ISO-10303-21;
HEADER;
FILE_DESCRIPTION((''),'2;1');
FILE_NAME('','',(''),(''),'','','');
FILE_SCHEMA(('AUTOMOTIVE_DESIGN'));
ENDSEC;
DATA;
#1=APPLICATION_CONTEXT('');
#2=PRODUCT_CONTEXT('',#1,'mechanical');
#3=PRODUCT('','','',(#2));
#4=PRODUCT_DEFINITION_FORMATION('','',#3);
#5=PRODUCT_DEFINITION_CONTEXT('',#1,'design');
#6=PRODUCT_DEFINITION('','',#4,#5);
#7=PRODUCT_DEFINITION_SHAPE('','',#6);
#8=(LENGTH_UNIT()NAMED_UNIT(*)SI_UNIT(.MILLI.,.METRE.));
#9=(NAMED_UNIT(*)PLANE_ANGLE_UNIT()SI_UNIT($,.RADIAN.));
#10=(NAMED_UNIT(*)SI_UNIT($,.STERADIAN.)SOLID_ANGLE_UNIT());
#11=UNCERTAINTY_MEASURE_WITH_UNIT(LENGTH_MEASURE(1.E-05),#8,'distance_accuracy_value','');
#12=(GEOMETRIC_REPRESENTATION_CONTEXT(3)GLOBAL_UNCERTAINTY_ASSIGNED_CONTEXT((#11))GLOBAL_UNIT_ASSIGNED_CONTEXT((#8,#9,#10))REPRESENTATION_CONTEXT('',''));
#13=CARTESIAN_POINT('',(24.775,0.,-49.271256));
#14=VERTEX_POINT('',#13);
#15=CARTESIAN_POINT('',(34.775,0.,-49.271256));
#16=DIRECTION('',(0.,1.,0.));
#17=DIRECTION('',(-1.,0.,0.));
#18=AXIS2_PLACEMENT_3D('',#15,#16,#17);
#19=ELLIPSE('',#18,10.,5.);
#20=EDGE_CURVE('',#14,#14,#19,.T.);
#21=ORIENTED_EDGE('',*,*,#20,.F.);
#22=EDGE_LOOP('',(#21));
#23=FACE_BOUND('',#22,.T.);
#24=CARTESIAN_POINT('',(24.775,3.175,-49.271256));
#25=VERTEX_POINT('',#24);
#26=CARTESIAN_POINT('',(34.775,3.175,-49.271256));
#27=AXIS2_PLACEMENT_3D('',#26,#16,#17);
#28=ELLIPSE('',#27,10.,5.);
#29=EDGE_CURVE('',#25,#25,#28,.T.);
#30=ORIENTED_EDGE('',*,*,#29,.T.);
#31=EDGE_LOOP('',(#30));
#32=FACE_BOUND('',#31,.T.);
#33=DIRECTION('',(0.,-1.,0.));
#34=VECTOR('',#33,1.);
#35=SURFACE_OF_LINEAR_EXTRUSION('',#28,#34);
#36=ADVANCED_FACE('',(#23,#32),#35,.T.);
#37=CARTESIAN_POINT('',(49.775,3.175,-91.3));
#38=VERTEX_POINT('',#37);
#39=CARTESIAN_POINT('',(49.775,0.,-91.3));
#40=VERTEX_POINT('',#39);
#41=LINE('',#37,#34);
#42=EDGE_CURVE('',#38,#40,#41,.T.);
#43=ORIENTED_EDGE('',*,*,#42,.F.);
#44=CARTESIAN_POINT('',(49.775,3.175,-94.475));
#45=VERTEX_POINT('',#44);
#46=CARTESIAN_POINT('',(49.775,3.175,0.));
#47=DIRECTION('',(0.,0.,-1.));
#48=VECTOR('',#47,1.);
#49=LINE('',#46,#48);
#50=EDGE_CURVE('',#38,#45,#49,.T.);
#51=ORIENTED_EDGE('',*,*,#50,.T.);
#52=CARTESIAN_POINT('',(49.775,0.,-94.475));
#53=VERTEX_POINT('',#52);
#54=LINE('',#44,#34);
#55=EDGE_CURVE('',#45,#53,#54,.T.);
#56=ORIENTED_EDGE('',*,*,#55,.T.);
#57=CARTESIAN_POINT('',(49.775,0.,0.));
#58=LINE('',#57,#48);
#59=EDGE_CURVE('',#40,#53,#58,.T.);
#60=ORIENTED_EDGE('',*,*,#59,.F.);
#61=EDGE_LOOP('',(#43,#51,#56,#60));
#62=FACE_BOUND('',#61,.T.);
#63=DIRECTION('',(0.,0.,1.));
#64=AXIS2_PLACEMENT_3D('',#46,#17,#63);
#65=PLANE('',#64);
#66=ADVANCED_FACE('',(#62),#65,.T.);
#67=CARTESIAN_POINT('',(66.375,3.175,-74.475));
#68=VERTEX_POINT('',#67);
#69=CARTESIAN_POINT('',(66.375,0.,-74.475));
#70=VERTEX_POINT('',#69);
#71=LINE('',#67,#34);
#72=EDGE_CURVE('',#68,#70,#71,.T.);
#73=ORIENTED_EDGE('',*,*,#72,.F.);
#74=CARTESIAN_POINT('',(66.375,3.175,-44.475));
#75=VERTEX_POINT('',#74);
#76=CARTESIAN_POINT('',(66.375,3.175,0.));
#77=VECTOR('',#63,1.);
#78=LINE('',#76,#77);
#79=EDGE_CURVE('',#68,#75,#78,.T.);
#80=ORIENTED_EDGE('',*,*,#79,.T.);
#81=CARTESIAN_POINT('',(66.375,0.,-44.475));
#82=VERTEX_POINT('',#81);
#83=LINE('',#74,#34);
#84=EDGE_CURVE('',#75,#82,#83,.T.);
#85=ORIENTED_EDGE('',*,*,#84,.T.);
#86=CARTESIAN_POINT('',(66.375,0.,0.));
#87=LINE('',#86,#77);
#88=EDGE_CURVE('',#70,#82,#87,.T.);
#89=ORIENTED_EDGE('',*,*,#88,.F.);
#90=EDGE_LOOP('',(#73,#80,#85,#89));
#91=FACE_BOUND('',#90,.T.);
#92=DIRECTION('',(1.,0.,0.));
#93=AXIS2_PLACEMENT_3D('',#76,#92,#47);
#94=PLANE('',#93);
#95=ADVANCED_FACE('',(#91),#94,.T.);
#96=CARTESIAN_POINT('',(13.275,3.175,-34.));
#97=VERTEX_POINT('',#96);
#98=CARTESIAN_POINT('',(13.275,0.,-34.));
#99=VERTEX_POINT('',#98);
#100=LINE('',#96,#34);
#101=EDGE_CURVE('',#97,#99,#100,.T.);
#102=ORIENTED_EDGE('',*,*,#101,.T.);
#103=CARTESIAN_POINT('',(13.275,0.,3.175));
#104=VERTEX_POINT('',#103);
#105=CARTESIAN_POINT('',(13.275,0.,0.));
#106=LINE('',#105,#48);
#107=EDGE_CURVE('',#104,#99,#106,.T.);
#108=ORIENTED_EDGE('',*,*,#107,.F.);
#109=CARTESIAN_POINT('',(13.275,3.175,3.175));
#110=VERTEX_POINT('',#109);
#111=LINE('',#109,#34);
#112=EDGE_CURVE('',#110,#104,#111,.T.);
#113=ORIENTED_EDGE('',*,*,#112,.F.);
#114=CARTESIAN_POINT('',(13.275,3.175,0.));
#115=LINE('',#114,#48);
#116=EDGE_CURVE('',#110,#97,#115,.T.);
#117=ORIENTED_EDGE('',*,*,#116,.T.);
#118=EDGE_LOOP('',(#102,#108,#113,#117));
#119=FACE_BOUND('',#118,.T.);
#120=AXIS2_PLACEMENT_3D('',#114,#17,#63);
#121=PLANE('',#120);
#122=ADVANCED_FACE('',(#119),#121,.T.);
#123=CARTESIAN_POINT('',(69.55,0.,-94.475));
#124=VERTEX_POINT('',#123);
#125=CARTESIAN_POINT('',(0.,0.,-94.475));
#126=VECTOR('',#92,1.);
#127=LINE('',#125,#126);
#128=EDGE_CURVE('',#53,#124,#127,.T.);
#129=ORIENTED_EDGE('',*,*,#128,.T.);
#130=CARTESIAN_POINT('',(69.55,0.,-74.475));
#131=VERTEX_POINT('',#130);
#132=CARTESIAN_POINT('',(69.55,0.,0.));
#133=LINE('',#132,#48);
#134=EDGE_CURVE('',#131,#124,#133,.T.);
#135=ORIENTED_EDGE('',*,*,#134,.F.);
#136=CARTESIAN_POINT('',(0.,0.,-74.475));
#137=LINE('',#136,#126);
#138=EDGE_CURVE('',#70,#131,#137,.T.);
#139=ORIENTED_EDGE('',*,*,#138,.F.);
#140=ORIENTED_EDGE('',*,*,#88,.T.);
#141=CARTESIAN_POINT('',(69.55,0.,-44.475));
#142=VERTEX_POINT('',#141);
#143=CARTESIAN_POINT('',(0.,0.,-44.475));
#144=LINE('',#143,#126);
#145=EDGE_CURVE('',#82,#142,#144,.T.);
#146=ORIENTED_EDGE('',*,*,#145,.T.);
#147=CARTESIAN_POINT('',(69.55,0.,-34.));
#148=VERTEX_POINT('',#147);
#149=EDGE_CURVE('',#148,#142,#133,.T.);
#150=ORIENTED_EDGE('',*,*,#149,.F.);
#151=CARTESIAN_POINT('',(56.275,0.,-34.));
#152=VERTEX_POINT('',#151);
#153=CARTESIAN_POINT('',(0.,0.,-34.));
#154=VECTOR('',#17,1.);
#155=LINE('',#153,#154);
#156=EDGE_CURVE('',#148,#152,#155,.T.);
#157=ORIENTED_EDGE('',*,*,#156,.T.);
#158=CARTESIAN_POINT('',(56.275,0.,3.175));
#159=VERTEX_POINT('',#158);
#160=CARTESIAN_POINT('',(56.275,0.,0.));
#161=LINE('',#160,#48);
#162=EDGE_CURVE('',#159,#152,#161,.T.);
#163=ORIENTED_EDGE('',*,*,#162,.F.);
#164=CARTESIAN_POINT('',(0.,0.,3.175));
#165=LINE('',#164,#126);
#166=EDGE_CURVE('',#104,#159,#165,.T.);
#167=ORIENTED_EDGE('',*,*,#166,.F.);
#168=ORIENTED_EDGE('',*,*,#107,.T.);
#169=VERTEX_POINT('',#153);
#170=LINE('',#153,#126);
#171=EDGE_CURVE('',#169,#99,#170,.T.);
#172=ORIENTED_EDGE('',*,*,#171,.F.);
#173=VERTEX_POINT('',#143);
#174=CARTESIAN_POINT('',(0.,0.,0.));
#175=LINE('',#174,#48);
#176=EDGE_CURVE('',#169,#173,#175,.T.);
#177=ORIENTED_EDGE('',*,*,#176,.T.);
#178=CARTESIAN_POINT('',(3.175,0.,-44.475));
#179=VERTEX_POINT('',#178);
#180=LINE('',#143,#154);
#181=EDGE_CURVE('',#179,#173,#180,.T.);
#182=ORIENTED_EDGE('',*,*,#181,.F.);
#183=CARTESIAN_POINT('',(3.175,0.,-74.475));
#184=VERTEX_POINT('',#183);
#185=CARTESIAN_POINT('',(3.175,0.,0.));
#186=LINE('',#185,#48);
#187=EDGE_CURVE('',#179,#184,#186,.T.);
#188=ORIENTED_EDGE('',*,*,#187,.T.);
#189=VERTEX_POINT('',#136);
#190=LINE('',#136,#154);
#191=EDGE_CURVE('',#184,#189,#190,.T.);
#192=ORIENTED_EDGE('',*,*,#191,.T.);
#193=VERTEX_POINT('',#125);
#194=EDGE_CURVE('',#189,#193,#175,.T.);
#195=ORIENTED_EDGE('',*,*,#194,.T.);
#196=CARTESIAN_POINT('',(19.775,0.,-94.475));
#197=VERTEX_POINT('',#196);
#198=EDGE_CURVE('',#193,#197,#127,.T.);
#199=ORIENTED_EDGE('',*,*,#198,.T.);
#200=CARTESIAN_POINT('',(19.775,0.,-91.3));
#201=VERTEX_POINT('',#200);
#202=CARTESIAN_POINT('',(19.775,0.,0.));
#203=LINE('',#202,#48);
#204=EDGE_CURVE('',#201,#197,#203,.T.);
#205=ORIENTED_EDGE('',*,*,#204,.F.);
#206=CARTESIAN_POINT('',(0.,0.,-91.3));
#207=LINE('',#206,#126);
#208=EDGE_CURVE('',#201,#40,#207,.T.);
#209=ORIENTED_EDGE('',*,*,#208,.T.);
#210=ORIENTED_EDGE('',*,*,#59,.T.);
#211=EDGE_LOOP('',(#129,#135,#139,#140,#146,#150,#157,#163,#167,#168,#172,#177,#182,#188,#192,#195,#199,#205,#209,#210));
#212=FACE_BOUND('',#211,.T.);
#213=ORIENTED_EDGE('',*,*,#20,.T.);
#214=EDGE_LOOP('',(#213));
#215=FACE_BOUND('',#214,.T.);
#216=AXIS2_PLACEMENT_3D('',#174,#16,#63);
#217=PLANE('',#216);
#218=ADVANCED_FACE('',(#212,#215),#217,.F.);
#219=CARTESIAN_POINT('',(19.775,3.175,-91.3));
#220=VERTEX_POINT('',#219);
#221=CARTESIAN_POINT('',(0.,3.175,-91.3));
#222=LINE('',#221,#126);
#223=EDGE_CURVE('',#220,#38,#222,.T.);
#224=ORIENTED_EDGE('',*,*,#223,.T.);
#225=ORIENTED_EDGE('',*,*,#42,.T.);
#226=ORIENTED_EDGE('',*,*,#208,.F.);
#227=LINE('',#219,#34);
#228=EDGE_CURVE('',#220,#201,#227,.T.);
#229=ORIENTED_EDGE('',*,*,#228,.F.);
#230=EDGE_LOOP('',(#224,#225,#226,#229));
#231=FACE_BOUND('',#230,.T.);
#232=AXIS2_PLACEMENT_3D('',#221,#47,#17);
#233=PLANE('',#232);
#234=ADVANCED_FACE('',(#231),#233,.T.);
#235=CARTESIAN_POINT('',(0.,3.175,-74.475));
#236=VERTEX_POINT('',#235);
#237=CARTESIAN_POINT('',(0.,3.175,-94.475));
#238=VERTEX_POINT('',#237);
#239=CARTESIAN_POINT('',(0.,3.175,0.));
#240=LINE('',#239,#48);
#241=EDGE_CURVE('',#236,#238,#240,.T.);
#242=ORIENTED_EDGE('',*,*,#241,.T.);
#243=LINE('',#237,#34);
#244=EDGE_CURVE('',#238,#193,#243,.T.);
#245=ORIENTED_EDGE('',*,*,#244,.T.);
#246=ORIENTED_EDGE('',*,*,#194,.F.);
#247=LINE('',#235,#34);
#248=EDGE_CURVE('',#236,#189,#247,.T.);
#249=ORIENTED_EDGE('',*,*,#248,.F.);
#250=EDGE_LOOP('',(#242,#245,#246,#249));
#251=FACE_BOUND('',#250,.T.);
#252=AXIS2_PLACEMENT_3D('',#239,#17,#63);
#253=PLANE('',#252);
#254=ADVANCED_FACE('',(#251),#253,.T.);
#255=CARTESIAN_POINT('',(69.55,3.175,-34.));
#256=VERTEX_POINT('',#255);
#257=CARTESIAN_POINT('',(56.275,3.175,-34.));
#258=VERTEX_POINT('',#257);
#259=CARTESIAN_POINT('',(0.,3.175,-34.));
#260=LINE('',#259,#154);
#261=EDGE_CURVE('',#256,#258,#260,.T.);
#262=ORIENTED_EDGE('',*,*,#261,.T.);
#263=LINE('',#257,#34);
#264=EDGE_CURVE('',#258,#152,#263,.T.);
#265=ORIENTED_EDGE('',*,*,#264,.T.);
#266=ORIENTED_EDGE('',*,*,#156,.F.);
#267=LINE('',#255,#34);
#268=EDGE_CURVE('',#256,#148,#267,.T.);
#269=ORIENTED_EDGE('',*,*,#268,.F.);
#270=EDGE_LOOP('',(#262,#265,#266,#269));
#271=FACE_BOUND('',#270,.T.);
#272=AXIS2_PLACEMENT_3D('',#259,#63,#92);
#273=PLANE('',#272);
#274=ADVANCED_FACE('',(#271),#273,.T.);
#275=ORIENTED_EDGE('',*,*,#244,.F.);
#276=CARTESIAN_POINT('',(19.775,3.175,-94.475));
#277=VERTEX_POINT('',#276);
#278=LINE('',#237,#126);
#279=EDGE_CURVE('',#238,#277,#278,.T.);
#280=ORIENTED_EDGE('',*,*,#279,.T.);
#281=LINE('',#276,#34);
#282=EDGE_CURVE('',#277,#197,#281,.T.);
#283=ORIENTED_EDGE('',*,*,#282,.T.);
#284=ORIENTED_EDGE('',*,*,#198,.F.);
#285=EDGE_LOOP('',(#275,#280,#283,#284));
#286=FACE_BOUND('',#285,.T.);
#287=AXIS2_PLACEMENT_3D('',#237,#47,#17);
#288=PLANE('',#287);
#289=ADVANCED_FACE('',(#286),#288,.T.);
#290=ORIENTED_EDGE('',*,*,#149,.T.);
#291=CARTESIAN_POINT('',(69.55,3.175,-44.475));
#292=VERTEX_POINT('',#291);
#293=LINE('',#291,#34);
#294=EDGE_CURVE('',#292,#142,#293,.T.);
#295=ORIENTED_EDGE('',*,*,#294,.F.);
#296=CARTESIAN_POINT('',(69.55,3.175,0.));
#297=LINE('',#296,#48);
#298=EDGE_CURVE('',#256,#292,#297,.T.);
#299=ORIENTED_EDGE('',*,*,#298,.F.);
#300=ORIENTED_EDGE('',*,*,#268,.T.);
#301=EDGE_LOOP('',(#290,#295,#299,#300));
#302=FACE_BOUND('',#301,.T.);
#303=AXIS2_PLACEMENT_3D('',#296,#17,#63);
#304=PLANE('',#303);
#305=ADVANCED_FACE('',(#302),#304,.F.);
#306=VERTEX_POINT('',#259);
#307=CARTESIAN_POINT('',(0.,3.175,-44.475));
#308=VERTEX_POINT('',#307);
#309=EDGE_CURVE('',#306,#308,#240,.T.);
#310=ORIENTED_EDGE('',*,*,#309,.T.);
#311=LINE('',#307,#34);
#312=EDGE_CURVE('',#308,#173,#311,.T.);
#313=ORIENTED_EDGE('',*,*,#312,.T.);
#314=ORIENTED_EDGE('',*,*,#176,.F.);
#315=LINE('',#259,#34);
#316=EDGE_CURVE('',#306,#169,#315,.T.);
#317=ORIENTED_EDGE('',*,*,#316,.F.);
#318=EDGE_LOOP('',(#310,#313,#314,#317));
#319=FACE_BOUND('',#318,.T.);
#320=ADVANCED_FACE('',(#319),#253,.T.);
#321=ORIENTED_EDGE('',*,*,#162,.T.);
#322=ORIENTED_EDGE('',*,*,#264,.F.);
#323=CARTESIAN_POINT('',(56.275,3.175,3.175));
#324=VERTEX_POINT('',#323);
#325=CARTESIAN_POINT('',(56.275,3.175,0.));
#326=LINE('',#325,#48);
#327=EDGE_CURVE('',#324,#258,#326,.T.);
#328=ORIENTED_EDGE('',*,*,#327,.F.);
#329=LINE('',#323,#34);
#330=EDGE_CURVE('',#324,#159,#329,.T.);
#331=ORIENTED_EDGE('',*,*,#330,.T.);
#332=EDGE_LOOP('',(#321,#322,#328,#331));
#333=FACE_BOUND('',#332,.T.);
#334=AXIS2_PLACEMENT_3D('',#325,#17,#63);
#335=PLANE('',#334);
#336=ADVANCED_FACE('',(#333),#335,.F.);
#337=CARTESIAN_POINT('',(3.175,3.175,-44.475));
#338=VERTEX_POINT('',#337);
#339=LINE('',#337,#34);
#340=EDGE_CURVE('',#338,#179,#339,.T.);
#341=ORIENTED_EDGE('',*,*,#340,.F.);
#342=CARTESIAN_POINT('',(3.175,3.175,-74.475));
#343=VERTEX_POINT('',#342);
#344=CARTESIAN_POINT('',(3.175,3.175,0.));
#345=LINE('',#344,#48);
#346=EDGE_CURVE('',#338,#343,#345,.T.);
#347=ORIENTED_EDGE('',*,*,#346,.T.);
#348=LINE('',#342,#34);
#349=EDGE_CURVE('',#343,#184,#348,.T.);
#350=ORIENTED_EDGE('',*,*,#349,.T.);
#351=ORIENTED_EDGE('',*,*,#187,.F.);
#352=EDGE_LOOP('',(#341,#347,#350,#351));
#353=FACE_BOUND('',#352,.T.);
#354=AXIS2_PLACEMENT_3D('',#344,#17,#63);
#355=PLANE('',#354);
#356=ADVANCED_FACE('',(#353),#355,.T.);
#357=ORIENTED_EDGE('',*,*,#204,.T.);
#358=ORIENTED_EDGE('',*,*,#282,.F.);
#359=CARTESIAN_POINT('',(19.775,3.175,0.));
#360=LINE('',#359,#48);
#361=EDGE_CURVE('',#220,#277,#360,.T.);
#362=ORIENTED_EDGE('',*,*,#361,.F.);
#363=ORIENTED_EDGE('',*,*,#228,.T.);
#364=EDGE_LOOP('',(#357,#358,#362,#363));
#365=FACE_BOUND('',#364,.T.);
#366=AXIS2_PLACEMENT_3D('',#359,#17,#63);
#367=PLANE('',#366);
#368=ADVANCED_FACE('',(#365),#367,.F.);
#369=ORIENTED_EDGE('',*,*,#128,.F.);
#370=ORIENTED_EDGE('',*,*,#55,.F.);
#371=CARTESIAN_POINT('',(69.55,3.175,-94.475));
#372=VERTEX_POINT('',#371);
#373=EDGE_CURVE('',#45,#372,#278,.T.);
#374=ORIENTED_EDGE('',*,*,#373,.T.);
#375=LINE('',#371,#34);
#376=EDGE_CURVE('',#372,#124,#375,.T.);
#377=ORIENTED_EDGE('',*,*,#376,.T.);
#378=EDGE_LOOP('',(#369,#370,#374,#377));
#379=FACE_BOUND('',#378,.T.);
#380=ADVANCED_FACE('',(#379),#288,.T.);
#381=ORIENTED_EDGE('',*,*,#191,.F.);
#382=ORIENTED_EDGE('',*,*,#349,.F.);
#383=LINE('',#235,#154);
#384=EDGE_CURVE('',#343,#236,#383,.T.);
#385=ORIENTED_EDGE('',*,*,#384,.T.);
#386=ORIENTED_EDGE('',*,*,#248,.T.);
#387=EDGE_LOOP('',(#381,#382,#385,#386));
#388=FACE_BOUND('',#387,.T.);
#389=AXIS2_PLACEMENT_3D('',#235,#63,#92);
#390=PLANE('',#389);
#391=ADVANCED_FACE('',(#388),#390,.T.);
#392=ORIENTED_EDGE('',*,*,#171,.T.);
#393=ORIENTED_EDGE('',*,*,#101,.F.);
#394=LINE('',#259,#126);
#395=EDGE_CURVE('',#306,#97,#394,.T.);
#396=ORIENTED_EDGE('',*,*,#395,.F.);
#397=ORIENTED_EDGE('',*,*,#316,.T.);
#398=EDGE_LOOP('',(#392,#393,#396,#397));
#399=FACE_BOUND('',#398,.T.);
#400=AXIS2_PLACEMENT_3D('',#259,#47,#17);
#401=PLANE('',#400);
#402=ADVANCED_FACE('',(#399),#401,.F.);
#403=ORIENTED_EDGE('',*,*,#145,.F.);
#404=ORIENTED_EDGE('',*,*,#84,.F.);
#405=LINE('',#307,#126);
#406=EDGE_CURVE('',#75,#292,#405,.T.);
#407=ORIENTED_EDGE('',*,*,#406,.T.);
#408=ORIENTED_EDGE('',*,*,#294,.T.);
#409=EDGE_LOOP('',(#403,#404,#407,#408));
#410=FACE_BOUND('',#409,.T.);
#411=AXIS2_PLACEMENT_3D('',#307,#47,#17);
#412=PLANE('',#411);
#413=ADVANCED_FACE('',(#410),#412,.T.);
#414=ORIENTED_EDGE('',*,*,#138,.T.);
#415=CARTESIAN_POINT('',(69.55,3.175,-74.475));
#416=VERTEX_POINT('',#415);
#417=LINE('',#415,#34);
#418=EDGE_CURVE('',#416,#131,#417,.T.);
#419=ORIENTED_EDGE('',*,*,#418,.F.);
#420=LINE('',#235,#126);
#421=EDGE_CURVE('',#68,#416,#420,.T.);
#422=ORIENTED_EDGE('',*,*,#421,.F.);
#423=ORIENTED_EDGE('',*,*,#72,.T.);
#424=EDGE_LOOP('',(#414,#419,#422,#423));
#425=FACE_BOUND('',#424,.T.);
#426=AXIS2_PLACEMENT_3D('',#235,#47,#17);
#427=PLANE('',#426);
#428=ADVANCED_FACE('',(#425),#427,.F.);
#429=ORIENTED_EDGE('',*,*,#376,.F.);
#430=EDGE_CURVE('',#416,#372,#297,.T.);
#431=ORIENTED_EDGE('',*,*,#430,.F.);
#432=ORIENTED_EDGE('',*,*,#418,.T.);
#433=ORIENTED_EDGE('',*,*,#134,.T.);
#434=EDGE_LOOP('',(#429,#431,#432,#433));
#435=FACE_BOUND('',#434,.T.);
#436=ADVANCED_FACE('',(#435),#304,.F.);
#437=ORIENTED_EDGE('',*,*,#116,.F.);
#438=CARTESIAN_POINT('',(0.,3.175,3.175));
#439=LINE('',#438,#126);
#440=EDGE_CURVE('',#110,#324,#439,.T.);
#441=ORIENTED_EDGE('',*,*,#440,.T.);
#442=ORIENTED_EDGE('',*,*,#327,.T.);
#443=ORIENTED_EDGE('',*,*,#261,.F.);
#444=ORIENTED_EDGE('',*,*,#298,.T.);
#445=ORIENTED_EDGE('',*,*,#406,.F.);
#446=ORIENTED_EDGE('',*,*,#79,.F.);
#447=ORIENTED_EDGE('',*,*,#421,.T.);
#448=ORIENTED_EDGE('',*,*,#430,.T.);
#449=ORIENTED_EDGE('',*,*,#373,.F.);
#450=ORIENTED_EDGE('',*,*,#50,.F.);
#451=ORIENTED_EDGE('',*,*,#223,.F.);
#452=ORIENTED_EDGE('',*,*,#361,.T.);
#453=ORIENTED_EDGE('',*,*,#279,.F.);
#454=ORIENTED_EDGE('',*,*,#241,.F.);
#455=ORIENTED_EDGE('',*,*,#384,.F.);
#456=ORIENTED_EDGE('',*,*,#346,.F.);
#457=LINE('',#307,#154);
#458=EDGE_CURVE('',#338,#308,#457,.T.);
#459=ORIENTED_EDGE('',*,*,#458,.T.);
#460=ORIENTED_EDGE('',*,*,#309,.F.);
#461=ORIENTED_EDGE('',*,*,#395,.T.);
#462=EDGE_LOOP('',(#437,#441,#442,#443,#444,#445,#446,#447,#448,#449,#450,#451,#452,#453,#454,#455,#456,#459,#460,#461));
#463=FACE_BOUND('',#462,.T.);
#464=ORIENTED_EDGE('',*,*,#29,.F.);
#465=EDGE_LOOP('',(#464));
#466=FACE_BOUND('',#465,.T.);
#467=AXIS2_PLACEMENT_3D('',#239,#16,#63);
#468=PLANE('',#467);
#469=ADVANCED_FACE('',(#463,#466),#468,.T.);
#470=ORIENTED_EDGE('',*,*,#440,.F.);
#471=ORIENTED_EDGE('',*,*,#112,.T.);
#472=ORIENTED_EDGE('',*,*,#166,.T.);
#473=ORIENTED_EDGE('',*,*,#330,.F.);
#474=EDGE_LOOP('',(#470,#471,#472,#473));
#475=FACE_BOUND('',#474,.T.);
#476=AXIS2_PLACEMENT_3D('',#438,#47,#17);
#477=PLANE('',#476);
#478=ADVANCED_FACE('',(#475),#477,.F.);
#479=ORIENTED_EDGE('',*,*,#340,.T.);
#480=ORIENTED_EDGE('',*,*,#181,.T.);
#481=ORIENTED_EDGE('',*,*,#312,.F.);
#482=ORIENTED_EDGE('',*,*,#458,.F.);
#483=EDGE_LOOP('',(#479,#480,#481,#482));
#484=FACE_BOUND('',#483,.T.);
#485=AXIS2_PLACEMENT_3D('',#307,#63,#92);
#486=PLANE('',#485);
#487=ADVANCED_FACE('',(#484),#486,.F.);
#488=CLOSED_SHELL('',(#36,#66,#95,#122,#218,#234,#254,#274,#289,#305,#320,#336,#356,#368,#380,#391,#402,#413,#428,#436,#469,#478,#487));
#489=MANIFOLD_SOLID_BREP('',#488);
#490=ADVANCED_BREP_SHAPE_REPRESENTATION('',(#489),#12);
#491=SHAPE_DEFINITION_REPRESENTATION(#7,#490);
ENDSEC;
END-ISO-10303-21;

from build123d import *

# Parameters (mm, degrees)
BOSS_EXTRUDE1_DEPTH = 3.175


with BuildPart() as part:
    # Sketch1 → Boss-Extrude1 (new body)
    with BuildSketch(Plane(origin=(0, 0, 0), x_dir=(1, 0, 0), z_dir=(0, 1, 0))):
        Polygon((49.775, 91.3), (19.775, 91.3), (19.775, 94.475), (0, 94.475), (0, 74.475), (3.175, 74.475), (3.175, 44.475), (0, 44.475), (0, 34), (13.275, 34), (13.275, -3.175), (56.275, -3.175), (56.275, 34), (69.55, 34), (69.55, 44.475), (66.375, 44.475), (66.375, 74.475), (69.55, 74.475), (69.55, 94.475), (49.775, 94.475), align=None)
        with BuildLine():
            add(Edge.make_bspline(
                [(24.775, 49.271255677), (24.775, 40.611001639), (39.775, 44.941128658), (54.775, 49.271255677), (39.775, 53.601382696), (24.775, 57.931509715), (24.775, 49.271255677)],
                knots=[0, 0, 0, 2.094395102, 2.094395102, 4.188790205, 4.188790205, 6.283185307, 6.283185307, 6.283185307], degree=2, weights=[1, 0.5, 1, 0.5, 1, 0.5, 1]))
        make_face(mode=Mode.SUBTRACT)
    extrude(amount=BOSS_EXTRUDE1_DEPTH)


solid = part.part
